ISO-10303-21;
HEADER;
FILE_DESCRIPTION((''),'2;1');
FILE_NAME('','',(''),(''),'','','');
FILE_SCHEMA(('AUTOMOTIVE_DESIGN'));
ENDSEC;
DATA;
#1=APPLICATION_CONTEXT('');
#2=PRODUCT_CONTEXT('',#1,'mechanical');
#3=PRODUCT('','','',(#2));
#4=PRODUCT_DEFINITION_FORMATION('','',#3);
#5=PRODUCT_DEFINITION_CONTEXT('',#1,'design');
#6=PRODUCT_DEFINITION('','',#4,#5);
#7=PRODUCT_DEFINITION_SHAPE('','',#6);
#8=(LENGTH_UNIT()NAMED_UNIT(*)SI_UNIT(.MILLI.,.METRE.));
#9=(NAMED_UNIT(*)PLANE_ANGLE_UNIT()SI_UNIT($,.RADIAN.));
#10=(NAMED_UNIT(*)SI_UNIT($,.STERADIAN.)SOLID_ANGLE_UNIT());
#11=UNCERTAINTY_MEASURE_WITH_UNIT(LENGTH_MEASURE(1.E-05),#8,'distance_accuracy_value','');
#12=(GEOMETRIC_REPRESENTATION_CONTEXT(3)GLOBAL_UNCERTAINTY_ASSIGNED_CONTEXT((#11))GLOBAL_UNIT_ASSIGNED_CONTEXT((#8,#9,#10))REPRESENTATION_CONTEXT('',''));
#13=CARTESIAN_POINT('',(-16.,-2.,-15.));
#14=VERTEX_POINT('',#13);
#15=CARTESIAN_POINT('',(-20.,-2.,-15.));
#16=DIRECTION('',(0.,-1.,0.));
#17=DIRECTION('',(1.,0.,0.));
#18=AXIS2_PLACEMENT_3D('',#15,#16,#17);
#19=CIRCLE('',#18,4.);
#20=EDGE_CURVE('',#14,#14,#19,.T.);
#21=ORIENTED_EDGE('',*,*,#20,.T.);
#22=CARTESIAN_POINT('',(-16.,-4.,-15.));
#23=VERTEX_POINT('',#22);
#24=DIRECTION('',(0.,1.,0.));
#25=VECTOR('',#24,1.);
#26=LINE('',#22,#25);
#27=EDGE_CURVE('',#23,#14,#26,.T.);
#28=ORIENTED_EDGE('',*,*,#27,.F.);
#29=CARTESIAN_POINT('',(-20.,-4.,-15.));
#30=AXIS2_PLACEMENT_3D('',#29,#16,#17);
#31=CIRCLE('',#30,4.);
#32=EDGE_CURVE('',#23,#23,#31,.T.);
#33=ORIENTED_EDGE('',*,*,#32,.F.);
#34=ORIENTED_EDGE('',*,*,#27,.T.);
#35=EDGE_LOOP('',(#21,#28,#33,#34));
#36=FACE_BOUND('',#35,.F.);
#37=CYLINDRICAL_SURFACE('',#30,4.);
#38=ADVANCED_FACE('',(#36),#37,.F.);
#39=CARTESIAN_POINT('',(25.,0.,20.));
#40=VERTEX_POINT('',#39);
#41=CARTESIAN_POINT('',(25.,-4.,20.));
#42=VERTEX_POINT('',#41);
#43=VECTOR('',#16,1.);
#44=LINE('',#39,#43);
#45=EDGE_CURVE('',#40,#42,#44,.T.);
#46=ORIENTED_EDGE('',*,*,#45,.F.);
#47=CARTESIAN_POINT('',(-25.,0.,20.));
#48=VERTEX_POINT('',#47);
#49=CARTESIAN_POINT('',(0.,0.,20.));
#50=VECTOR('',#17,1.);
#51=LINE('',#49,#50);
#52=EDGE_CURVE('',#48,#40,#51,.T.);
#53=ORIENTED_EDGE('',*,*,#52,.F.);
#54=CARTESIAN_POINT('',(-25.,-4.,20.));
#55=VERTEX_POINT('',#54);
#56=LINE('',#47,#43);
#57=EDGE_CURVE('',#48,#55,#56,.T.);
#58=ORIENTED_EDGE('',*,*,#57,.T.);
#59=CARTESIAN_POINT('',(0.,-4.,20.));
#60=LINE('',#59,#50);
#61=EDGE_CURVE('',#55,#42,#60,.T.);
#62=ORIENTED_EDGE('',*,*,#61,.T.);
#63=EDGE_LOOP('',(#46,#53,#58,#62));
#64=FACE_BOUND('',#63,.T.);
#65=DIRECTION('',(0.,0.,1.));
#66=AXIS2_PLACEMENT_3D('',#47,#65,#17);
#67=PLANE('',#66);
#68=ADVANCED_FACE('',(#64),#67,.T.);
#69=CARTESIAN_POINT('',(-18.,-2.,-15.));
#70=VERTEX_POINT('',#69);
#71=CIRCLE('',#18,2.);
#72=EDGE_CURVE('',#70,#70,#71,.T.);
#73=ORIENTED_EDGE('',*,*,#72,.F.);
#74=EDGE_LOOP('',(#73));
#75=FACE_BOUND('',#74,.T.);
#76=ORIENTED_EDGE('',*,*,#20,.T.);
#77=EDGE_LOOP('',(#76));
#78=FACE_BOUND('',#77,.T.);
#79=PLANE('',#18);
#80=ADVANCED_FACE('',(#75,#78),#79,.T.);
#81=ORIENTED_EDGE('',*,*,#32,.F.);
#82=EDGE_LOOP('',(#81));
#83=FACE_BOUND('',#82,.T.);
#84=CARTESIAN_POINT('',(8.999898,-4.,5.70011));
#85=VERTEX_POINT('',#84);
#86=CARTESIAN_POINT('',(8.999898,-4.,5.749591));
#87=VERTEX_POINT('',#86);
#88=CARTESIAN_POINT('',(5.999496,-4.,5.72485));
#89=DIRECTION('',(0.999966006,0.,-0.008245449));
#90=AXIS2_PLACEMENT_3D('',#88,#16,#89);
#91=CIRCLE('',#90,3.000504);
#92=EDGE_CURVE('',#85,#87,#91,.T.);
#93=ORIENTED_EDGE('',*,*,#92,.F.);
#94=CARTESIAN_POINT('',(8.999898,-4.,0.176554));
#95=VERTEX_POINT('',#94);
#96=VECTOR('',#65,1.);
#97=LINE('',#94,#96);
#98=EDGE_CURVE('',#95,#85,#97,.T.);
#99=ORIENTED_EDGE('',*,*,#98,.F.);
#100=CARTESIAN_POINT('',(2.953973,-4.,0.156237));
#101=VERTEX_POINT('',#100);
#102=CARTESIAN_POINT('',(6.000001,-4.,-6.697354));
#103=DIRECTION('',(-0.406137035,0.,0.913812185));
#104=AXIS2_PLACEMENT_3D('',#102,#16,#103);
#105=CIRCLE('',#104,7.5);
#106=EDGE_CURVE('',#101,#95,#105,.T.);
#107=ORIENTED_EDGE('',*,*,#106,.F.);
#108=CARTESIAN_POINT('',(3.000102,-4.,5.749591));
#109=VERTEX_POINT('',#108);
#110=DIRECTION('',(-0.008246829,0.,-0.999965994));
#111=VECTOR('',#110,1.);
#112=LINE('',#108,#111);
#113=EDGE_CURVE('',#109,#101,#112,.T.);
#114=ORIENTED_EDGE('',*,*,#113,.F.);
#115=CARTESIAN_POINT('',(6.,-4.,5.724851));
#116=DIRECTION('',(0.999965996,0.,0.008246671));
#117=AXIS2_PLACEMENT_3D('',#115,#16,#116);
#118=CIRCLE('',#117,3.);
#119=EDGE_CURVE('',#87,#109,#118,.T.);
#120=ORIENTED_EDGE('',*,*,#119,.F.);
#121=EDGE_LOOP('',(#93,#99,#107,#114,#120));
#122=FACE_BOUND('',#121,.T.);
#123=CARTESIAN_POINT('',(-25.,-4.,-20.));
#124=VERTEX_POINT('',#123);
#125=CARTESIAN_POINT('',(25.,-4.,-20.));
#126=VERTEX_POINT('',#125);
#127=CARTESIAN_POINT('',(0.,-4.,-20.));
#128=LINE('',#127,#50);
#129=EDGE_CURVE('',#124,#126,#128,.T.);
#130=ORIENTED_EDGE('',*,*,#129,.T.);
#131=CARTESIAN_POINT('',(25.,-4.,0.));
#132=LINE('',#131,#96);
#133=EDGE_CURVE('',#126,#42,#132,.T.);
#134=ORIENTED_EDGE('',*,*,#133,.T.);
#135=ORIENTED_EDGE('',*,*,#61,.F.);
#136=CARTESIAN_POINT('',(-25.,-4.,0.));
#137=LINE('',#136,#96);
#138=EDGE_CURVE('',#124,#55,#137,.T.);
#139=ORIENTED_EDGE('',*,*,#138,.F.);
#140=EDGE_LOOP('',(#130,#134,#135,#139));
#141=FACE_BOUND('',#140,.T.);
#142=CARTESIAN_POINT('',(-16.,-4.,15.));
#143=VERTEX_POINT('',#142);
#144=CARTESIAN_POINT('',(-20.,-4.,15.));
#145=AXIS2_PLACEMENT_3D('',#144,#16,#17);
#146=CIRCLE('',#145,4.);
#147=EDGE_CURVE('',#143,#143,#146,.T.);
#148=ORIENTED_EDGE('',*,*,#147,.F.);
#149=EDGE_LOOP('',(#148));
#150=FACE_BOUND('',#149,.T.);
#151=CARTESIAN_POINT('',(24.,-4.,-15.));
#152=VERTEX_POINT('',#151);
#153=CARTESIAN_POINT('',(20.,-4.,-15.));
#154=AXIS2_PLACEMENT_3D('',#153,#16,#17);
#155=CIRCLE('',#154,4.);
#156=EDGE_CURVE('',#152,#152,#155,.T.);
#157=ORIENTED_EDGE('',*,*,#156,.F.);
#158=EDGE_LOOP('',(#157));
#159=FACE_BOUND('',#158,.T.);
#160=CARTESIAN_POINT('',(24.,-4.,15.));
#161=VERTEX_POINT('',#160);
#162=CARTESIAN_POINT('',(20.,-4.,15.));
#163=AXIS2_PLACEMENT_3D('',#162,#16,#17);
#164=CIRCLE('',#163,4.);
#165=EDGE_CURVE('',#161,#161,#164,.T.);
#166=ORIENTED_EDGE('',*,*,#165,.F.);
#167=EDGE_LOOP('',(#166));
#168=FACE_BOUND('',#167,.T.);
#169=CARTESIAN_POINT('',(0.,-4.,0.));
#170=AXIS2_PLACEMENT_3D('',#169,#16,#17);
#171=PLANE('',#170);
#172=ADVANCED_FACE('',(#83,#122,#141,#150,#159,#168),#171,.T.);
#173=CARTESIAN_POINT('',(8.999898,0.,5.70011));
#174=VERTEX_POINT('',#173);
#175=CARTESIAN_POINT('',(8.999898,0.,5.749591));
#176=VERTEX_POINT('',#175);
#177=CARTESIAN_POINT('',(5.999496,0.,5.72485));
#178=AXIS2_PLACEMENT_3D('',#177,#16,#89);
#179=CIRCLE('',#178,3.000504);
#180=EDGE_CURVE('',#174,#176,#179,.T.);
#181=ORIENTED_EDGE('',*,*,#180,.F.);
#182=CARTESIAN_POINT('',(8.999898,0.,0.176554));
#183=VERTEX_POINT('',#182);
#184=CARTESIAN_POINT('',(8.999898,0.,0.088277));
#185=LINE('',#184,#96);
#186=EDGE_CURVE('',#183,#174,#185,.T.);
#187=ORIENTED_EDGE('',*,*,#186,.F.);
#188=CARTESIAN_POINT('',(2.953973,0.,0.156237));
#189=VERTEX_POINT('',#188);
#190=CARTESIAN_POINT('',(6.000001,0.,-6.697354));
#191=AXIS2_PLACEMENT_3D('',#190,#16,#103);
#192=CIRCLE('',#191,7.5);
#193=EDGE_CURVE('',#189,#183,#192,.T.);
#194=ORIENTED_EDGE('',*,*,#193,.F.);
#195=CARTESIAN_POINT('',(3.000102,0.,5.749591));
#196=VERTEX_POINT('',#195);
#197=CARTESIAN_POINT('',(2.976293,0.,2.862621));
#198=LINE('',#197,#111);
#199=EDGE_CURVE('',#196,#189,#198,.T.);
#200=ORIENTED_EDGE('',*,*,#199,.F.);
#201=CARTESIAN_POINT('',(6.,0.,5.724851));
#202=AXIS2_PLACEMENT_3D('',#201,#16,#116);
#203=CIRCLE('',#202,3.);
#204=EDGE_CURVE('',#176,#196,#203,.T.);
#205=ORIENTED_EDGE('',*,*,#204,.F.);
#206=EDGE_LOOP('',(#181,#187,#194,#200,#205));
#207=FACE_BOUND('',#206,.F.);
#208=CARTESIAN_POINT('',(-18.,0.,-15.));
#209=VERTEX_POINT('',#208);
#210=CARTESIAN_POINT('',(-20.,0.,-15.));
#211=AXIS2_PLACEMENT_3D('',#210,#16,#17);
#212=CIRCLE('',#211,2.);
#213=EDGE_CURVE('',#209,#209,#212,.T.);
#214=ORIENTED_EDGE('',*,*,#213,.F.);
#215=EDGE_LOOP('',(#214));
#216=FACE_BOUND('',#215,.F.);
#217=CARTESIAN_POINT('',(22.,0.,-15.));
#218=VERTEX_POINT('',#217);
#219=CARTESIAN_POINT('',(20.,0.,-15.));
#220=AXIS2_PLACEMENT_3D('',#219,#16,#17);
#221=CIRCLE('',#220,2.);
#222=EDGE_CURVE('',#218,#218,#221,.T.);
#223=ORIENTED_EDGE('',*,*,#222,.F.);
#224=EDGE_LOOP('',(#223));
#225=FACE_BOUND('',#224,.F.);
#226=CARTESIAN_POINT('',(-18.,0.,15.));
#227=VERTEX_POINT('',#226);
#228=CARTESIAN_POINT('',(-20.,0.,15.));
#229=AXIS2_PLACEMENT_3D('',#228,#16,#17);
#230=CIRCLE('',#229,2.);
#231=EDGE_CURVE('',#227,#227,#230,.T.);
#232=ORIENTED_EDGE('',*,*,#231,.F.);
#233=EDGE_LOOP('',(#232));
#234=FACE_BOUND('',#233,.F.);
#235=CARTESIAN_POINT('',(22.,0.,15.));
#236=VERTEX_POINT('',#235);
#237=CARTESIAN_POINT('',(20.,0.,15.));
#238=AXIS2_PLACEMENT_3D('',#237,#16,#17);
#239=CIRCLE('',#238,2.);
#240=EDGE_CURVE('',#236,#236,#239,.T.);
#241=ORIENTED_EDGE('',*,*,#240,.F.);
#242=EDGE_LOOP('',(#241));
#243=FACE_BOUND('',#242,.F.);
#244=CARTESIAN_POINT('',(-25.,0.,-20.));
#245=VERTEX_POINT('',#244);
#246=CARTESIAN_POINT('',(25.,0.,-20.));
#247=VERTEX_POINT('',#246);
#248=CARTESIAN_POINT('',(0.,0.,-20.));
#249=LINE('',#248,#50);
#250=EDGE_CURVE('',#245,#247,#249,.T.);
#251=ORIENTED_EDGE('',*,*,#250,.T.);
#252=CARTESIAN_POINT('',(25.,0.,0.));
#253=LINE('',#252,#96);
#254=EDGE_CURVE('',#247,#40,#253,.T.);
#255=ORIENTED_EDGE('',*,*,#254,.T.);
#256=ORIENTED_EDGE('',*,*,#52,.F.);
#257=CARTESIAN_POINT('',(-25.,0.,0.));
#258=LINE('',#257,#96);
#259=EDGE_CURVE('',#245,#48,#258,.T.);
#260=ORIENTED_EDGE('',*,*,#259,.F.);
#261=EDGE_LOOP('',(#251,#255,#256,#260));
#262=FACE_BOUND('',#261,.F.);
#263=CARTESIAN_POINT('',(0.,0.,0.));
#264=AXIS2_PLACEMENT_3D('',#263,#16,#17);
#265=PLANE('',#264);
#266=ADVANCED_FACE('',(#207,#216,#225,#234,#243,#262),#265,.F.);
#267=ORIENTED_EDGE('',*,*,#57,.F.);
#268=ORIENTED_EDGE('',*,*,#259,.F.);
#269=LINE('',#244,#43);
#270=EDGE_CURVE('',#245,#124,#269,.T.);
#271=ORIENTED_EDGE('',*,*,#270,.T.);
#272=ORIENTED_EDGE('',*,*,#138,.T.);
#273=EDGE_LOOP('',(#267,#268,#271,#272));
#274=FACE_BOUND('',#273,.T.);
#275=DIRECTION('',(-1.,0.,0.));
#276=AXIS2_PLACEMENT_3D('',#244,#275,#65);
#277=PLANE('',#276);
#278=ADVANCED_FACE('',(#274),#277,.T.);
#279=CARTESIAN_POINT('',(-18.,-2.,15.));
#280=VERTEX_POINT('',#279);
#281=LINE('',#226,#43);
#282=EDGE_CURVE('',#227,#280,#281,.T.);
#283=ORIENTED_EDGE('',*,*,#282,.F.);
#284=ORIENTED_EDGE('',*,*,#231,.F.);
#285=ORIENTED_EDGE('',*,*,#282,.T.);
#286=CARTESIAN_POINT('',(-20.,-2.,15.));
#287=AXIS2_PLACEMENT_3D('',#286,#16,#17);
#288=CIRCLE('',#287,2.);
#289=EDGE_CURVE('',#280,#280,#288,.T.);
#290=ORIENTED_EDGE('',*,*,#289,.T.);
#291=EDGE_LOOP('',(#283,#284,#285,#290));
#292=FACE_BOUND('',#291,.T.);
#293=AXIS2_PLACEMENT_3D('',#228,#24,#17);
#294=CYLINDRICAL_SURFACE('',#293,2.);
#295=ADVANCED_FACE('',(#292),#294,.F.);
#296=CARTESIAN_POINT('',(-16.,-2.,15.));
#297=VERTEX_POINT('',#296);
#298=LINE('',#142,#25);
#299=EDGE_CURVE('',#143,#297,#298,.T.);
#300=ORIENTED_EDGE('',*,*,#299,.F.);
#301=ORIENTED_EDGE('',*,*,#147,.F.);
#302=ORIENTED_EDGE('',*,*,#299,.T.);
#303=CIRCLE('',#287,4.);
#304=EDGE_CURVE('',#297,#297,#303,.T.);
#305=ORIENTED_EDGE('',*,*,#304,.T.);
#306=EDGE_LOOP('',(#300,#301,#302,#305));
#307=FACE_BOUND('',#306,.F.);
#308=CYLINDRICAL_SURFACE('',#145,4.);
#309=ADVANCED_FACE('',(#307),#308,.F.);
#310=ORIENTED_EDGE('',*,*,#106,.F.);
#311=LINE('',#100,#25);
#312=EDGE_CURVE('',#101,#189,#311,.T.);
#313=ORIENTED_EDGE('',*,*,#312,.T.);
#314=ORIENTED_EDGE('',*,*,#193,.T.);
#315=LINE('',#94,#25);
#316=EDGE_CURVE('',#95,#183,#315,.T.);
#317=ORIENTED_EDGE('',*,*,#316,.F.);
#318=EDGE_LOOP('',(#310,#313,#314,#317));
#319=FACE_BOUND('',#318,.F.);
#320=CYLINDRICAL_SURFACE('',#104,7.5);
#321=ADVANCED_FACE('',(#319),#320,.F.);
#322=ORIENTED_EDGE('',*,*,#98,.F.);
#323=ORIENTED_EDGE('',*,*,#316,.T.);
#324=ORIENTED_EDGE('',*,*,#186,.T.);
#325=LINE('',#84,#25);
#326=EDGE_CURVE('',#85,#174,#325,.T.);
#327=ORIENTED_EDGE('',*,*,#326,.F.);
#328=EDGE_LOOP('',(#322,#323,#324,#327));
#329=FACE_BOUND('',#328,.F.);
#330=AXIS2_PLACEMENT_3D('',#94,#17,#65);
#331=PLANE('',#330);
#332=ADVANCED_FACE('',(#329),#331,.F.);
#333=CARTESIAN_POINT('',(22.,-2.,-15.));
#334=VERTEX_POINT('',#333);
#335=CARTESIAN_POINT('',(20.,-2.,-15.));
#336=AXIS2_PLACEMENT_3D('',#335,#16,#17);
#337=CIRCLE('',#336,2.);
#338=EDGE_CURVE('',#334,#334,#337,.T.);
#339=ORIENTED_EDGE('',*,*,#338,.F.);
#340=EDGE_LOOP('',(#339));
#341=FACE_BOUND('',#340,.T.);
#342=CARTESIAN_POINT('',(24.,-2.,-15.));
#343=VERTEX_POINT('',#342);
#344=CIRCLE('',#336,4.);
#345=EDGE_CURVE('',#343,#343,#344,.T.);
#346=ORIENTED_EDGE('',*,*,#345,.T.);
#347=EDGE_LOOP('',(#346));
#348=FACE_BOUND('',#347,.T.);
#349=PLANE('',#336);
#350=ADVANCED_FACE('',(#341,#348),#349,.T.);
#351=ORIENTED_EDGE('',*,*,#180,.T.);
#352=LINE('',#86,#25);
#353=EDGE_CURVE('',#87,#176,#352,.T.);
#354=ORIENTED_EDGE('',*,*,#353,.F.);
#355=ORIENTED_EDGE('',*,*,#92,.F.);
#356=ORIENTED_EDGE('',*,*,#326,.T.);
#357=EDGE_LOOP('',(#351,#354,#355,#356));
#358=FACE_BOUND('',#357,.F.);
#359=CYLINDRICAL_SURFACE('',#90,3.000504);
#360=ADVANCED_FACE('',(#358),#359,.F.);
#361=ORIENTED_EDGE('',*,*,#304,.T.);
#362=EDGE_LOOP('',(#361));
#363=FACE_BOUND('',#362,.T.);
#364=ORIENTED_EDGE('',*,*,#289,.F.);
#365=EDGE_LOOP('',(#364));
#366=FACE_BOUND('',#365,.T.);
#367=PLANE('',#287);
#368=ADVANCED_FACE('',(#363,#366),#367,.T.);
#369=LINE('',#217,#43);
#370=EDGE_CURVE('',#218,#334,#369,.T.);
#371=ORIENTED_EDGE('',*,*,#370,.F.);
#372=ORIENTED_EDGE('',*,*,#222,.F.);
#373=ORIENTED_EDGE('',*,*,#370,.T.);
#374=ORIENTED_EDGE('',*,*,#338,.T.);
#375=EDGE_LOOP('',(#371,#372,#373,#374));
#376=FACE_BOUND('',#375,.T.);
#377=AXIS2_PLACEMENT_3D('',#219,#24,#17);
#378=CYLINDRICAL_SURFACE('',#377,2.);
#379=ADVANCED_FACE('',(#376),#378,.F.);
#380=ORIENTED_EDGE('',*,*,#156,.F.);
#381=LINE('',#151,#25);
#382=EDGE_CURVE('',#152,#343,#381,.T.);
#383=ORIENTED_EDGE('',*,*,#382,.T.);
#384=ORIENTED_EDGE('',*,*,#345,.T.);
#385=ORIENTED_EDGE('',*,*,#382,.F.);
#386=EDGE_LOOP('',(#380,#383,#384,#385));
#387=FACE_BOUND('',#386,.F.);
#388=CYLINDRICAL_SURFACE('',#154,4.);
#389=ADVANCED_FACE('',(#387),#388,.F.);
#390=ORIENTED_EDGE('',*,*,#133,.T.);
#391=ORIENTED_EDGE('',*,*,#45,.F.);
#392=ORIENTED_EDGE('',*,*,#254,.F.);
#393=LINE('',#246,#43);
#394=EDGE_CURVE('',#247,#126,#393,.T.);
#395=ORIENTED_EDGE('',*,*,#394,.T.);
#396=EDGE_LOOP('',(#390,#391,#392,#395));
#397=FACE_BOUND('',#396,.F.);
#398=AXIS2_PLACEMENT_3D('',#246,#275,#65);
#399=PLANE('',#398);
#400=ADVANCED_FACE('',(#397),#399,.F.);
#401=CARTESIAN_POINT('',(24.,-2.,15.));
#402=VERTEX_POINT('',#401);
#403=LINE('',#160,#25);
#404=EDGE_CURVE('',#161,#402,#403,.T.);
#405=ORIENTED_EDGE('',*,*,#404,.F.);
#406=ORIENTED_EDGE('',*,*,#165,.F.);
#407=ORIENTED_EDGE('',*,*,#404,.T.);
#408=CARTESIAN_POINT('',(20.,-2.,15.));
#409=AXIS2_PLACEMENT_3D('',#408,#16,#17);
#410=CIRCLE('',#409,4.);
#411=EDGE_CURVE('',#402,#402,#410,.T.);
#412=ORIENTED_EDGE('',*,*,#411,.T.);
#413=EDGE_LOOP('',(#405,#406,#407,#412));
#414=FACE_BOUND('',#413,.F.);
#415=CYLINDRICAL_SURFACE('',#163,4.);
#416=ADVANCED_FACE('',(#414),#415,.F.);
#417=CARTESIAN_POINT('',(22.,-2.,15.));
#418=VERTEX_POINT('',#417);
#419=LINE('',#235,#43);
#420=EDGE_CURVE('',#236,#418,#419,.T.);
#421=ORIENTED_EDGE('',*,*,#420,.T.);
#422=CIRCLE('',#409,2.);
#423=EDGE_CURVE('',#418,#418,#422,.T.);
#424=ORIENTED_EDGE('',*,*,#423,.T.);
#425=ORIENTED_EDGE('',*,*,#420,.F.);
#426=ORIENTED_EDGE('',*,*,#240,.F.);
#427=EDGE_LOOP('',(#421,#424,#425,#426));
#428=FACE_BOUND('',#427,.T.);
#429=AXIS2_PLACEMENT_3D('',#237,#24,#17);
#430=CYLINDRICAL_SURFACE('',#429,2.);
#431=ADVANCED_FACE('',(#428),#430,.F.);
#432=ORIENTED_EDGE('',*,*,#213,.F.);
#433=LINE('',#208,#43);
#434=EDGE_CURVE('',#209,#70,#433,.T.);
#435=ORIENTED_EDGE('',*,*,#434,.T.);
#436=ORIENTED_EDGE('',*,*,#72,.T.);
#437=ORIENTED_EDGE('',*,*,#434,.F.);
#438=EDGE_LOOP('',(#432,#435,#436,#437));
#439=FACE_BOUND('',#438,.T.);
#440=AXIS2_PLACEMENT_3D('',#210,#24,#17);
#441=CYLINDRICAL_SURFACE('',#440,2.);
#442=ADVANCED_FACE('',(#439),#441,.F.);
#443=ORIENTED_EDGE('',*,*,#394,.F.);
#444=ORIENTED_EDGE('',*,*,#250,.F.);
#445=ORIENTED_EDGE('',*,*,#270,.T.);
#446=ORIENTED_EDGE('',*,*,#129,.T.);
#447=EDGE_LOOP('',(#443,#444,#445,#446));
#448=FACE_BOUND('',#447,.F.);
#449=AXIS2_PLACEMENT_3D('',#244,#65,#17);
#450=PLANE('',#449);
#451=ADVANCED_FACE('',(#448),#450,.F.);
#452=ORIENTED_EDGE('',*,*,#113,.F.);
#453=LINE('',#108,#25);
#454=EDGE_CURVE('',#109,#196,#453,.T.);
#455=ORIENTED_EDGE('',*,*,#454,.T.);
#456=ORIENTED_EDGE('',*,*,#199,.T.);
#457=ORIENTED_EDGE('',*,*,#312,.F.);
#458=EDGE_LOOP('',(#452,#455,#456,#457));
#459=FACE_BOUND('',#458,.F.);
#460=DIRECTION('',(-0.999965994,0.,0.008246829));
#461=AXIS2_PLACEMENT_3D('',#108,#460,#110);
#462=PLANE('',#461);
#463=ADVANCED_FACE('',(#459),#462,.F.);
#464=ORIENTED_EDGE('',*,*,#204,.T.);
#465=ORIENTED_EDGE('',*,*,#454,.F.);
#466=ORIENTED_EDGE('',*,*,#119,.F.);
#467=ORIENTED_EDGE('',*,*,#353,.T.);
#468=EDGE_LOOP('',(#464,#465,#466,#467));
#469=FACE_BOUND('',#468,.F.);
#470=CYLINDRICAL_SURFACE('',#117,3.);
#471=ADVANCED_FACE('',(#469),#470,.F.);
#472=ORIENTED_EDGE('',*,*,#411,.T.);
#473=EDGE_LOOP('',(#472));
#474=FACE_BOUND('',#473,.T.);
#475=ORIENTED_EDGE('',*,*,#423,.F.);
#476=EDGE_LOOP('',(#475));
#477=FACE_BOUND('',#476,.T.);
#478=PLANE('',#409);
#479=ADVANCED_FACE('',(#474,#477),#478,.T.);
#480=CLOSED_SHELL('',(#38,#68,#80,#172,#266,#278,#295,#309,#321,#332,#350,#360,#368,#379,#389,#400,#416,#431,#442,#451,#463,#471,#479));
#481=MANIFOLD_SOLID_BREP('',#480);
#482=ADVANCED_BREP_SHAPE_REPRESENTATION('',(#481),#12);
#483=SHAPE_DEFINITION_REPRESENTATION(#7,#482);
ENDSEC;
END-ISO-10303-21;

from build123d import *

# Parameters (mm, degrees)
F0_W     = 50
F0_H     = 40
F0_R     = 2
F1_DEPTH = 4
F2_R     = 4
F2_R_2   = 2
F3_DEPTH = 2
F5_DEPTH = 25


with BuildPart() as f1:
    # F0 (on Front) → F1 (new body)
    with BuildSketch(Plane.XZ):
        Rectangle(F0_W, F0_H)
        with Locations((-20, -15)):
            Circle(F0_R, mode=Mode.SUBTRACT)
        with Locations((20, -15)):
            Circle(F0_R, mode=Mode.SUBTRACT)
        with Locations((-20, 15)):
            Circle(F0_R, mode=Mode.SUBTRACT)
        with Locations((20, 15)):
            Circle(F0_R, mode=Mode.SUBTRACT)
    extrude(amount=F1_DEPTH)

    # F2 (on face) → F3 (cut)
    with BuildSketch(Plane.XZ.offset(4)):
        with Locations((-20, 15)):
            Circle(F2_R)
        with Locations((-20, 15)):
            Circle(F2_R_2, mode=Mode.SUBTRACT)
        with Locations((20, 15)):
            Circle(F2_R)
        with Locations((20, 15)):
            Circle(F2_R_2, mode=Mode.SUBTRACT)
        with Locations((20, -15)):
            Circle(F2_R)
        with Locations((20, -15)):
            Circle(F2_R_2, mode=Mode.SUBTRACT)
        with Locations((-20, -15)):
            Circle(F2_R)
        with Locations((-20, -15)):
            Circle(F2_R_2, mode=Mode.SUBTRACT)
    extrude(amount=-F3_DEPTH, mode=Mode.SUBTRACT)

    # F4 (on face) → F5 (cut)
    with BuildSketch(Plane.XZ.offset(4)):
        with BuildLine():
            Line((3.000102, 5.749591), (2.953973, 0.156237))
            ThreePointArc((2.953973, 0.156237), (6.025203, -14.197312), (8.999898, 0.176554))
            Line((8.999898, 0.176554), (8.999898, 5.70011))
            ThreePointArc((8.999898, 5.70011), (9, 5.724851), (8.999898, 5.749591))
            ThreePointArc((8.999898, 5.749591), (6, 8.724851), (3.000102, 5.749591))
        make_face()
    extrude(amount=-F5_DEPTH, mode=Mode.SUBTRACT)


solid = f1.part
